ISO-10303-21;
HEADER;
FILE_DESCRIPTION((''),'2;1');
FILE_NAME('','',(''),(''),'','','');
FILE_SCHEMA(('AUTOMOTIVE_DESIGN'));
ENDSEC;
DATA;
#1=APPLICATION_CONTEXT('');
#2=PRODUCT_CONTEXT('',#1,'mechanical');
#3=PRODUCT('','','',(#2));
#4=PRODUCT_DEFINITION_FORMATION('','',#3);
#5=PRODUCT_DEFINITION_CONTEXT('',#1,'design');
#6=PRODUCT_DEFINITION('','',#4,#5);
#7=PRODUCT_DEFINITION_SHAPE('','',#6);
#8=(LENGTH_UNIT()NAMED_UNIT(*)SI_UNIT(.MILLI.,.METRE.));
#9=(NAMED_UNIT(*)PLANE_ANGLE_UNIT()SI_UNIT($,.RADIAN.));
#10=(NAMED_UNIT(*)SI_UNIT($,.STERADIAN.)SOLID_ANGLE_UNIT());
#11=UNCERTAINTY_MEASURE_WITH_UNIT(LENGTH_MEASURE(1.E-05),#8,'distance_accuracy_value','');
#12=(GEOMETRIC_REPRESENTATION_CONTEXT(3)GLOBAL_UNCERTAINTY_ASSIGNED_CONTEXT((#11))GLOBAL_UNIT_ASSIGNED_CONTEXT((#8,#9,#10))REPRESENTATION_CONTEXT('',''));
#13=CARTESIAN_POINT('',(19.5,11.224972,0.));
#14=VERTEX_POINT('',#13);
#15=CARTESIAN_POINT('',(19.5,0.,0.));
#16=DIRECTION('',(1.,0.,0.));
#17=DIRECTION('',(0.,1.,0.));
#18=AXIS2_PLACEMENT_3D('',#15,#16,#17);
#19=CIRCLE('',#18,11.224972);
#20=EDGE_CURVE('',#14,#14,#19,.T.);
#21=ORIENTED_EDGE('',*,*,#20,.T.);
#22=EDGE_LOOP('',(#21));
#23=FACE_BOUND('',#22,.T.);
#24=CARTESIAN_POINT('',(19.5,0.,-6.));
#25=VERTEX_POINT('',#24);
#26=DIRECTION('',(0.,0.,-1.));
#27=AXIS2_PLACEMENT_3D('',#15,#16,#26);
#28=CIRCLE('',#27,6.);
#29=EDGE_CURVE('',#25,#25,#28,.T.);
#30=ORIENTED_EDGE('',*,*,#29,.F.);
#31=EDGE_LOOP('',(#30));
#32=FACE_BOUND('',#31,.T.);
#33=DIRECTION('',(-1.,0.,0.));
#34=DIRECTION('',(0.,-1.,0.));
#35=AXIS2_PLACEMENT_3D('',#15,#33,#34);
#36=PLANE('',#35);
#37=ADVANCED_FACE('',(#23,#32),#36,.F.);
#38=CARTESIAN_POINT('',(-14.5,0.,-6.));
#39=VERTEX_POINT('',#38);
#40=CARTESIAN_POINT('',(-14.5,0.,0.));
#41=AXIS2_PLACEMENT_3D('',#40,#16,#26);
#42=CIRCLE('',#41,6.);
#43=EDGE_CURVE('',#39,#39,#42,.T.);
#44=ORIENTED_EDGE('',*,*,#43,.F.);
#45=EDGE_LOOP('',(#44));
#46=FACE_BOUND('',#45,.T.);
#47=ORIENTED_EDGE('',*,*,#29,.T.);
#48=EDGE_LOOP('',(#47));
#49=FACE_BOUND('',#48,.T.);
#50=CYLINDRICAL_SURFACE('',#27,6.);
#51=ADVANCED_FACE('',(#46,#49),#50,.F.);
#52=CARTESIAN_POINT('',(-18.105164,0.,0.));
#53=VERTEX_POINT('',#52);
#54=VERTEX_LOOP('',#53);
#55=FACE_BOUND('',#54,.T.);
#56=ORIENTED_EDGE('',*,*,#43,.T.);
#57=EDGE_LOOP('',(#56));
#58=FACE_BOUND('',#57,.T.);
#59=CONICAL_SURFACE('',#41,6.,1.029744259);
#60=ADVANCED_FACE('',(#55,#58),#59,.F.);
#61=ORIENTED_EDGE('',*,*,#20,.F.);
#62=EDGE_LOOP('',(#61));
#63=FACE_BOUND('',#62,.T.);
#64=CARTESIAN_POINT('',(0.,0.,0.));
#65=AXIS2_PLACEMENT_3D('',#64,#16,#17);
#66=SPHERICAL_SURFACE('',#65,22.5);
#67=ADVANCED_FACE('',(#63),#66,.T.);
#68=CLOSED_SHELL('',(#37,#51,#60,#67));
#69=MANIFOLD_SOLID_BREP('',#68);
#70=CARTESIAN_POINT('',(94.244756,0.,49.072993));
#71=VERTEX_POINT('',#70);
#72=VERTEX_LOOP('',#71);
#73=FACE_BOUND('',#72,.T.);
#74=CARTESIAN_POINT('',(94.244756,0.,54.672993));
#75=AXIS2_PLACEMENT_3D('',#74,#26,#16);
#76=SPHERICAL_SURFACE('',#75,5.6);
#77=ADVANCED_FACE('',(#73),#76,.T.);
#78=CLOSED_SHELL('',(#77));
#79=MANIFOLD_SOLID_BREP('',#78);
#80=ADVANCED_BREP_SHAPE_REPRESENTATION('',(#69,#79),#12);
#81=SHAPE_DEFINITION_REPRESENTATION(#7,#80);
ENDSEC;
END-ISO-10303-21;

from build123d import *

# Parameters (mm, degrees)
M12X1_5_TAPPED_HOLE1_D     = 12
M12X1_5_TAPPED_HOLE1_DEPTH = 34
M12X1_5_TAPPED_HOLE1_TIP   = 3.605163714


with BuildPart() as part:
    # Sketch1 → Revolve1 (revolve)
    with BuildSketch(Plane.XY, mode=Mode.PRIVATE) as revolve1_sk:
        with BuildLine():
            Line((19.5, 0), (-22.5, 0))
            ThreePointArc((-22.5, 0), (-5.809475019, -21.737065119), (19.5, -11.22497216))
            Line((19.5, -11.22497216), (19.5, 0))
        make_face()
    revolve(revolve1_sk.sketch.rotate(Axis((19.5, 0, 0), (-1, 0, 0)), 180), axis=Axis((19.5, 0, 0), (-1, 0, 0)))

    # M12x1.5 Tapped Hole1
    with Locations(Plane.YZ.offset(19.5)):
        with Locations((0, 0)):
            Hole(M12X1_5_TAPPED_HOLE1_D / 2, depth=M12X1_5_TAPPED_HOLE1_DEPTH)
            with Locations((0, 0, -(M12X1_5_TAPPED_HOLE1_DEPTH + M12X1_5_TAPPED_HOLE1_TIP / 2))):  # 118° drill point
                Cone(0, M12X1_5_TAPPED_HOLE1_D / 2, M12X1_5_TAPPED_HOLE1_TIP, mode=Mode.SUBTRACT)


with BuildPart() as body_2:
    # Sketch4 → Revolve2 (revolve)
    with BuildSketch(Plane(origin=(0, 0, 0), x_dir=(1, 0, 0), z_dir=(0, 1, 0))):
        with BuildLine():
            Line((94.24475553, -49.072993289), (94.24475553, -60.272993289))
            ThreePointArc((94.24475553, -60.272993289), (99.84475553, -54.672993289), (94.24475553, -49.072993289))
        make_face()
    revolve(axis=Axis((94.24475553, 0, 49.072993289), (0, 0, 1)))


solid = Compound([part.part, body_2.part])
